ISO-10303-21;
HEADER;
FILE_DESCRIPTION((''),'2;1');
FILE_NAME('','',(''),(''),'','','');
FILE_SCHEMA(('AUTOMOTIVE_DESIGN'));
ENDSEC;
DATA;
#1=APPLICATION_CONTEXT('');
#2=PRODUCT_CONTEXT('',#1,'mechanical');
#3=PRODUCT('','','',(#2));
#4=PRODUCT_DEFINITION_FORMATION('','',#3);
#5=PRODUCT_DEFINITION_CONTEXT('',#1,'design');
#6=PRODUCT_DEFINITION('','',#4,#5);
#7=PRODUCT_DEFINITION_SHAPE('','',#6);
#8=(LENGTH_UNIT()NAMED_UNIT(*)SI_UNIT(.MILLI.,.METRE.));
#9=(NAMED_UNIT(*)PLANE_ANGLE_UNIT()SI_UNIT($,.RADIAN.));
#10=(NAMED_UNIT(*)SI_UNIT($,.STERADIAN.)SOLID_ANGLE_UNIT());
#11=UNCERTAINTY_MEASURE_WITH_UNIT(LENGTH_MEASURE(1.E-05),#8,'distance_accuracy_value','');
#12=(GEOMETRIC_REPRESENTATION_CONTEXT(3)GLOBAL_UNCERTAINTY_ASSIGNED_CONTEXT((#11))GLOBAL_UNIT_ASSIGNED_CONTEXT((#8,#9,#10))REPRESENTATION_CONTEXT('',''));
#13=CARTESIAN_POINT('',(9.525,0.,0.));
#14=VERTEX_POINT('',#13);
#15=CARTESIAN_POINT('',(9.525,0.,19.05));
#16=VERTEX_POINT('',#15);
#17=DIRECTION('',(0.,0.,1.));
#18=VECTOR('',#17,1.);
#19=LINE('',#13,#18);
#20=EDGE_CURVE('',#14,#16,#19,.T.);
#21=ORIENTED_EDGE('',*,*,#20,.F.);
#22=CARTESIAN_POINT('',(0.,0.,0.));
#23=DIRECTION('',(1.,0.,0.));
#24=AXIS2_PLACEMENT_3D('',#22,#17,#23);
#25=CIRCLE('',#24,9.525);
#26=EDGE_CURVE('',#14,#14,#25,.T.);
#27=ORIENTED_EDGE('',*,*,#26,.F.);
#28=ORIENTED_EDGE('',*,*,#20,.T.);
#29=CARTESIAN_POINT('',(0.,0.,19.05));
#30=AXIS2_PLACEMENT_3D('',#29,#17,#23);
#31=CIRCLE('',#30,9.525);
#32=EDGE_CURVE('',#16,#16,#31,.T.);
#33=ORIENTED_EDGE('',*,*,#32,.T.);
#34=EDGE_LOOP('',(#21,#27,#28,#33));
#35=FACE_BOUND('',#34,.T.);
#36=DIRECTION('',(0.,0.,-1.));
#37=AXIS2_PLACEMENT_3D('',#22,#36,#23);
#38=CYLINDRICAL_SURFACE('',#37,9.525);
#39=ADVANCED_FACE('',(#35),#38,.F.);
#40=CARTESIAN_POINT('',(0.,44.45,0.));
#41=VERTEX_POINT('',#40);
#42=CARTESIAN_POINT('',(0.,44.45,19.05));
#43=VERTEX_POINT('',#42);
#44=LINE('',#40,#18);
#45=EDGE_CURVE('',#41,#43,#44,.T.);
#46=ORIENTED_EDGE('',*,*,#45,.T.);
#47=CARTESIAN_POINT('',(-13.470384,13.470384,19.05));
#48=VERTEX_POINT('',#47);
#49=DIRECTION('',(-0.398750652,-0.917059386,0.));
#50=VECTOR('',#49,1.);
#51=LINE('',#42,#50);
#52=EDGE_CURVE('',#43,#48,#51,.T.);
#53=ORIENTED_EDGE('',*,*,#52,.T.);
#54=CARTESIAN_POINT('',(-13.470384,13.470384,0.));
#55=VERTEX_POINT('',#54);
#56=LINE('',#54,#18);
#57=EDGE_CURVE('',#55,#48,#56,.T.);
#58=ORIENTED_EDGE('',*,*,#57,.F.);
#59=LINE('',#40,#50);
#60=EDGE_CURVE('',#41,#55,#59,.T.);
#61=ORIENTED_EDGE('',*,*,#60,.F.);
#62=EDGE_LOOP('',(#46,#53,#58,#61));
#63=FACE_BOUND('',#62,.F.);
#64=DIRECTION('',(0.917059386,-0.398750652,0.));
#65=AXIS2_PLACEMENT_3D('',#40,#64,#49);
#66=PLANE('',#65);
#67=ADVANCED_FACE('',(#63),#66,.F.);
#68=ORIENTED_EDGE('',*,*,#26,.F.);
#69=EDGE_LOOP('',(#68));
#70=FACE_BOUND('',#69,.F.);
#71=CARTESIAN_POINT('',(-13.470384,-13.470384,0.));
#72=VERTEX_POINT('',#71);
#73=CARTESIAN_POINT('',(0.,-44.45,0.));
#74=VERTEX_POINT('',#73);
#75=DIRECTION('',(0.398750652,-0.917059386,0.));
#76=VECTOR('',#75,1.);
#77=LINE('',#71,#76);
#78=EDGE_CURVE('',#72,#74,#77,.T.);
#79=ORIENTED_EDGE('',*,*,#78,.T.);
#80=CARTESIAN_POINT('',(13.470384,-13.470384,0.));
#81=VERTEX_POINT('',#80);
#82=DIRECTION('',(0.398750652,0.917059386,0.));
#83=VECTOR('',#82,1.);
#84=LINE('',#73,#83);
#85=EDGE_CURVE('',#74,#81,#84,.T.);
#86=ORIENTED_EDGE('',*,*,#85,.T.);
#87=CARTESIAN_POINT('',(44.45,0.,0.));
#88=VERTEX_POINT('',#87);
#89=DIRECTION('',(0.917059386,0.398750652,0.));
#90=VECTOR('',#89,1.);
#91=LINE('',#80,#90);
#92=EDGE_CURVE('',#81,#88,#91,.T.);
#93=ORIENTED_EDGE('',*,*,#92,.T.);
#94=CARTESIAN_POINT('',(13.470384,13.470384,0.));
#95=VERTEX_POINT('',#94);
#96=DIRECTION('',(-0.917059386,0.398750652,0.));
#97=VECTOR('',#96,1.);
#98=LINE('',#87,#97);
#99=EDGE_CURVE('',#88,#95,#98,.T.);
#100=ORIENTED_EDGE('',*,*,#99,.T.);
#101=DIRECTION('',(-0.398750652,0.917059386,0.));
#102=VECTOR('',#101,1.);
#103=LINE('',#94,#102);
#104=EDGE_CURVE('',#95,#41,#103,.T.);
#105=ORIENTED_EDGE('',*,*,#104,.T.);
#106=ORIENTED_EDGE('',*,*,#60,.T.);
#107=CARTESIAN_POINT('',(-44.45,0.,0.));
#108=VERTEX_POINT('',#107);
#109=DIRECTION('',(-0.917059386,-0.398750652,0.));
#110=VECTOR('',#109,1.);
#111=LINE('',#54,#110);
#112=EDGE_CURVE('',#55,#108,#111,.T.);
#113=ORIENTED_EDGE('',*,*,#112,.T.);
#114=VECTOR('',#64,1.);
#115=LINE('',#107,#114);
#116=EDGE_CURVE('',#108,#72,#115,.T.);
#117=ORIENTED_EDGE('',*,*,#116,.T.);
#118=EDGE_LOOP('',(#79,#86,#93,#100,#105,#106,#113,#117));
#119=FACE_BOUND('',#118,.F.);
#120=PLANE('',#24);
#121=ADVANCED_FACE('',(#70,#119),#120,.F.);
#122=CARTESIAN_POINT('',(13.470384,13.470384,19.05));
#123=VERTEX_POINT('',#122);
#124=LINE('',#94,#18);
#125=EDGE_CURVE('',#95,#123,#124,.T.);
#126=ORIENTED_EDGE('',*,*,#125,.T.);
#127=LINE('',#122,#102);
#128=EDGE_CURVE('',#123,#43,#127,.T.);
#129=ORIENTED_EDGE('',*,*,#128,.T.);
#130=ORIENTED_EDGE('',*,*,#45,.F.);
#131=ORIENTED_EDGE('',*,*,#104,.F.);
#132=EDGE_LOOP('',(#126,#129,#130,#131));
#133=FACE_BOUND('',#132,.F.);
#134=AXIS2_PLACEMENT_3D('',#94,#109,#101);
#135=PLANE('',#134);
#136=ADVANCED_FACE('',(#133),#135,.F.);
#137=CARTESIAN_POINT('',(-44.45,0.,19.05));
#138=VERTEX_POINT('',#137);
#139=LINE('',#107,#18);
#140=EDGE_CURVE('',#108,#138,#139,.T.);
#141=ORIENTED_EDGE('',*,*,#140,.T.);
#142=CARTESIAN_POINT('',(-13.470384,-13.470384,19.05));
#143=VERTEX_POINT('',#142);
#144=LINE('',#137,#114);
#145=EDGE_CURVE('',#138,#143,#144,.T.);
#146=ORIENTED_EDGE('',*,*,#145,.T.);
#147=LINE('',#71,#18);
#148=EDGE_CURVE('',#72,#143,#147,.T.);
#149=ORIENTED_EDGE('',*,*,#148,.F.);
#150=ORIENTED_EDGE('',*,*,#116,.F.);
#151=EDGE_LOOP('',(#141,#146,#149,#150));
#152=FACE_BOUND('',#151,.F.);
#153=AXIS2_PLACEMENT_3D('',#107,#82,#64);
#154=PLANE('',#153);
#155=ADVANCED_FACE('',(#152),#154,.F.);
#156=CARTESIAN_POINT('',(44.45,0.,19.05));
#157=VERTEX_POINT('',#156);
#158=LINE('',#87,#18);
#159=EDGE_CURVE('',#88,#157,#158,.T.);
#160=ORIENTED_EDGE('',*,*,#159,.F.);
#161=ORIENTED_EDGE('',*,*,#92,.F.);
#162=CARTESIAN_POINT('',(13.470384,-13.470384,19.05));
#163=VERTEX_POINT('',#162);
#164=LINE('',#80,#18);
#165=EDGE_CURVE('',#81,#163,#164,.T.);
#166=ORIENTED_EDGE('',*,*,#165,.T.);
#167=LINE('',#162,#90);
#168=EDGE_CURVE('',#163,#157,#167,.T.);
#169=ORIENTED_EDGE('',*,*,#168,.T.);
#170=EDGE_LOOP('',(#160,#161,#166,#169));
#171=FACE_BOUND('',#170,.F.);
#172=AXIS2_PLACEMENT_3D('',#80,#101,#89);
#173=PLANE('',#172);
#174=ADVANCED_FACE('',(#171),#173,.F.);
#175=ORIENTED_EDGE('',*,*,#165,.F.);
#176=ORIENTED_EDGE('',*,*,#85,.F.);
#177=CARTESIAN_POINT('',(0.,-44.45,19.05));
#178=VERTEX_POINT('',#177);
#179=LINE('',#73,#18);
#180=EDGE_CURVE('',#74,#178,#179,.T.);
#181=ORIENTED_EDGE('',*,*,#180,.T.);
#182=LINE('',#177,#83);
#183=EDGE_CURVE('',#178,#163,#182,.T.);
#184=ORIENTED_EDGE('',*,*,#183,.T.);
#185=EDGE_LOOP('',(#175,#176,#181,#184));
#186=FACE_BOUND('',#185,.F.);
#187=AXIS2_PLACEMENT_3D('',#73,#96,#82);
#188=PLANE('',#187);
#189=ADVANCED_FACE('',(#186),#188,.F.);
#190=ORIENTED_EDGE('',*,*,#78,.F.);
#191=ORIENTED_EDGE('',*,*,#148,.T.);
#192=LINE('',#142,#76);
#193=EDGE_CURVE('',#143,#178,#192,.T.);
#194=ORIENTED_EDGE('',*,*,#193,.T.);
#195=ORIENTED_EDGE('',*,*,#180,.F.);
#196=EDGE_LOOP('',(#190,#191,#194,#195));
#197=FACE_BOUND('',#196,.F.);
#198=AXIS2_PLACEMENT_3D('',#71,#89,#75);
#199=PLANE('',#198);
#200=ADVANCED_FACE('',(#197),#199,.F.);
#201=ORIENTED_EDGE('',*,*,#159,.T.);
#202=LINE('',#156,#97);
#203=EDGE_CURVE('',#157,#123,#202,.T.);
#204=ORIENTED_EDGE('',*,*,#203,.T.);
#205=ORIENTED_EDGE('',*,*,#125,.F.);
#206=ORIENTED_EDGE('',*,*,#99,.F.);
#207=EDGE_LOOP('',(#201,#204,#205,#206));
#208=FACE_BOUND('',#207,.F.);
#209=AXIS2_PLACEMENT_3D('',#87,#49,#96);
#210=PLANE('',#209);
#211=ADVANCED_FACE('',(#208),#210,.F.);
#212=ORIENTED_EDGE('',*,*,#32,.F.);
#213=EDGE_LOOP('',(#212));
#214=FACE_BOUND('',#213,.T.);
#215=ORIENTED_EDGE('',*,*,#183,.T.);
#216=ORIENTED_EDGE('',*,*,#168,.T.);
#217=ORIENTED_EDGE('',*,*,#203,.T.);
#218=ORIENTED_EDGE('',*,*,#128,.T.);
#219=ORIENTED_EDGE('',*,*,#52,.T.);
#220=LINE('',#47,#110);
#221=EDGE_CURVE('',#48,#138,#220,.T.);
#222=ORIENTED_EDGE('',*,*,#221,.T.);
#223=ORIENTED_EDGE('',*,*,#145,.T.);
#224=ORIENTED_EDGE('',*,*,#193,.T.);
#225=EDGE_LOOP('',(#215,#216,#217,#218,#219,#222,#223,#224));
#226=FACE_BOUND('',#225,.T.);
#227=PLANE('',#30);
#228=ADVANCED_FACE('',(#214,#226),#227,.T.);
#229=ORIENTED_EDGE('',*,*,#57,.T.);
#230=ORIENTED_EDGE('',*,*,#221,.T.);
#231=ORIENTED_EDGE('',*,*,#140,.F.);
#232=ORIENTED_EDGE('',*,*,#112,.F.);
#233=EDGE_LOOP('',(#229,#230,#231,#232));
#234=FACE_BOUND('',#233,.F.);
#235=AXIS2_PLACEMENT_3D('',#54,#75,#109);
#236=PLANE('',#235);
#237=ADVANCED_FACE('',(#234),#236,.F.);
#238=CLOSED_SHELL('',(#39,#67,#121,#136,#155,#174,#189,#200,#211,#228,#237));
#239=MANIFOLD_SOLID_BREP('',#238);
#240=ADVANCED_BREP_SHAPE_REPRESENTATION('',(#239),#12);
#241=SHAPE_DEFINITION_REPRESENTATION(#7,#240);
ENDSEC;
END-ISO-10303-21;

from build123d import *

# Parameters (mm, degrees)
F0_R     = 9.525
F1_DEPTH = 19.05


with BuildPart() as f1:
    # F0 (on Top) → F1 (new body)
    with BuildSketch(Plane.XY):
        Polygon((13.470384, 13.470384), (0, 44.45), (-13.470384, 13.470384), (-44.45, 0), (-13.470384, -13.470384), (0, -44.45), (13.470384, -13.470384), (44.45, 0), align=None)
        Circle(F0_R, mode=Mode.SUBTRACT)
    extrude(amount=F1_DEPTH)


solid = f1.part
